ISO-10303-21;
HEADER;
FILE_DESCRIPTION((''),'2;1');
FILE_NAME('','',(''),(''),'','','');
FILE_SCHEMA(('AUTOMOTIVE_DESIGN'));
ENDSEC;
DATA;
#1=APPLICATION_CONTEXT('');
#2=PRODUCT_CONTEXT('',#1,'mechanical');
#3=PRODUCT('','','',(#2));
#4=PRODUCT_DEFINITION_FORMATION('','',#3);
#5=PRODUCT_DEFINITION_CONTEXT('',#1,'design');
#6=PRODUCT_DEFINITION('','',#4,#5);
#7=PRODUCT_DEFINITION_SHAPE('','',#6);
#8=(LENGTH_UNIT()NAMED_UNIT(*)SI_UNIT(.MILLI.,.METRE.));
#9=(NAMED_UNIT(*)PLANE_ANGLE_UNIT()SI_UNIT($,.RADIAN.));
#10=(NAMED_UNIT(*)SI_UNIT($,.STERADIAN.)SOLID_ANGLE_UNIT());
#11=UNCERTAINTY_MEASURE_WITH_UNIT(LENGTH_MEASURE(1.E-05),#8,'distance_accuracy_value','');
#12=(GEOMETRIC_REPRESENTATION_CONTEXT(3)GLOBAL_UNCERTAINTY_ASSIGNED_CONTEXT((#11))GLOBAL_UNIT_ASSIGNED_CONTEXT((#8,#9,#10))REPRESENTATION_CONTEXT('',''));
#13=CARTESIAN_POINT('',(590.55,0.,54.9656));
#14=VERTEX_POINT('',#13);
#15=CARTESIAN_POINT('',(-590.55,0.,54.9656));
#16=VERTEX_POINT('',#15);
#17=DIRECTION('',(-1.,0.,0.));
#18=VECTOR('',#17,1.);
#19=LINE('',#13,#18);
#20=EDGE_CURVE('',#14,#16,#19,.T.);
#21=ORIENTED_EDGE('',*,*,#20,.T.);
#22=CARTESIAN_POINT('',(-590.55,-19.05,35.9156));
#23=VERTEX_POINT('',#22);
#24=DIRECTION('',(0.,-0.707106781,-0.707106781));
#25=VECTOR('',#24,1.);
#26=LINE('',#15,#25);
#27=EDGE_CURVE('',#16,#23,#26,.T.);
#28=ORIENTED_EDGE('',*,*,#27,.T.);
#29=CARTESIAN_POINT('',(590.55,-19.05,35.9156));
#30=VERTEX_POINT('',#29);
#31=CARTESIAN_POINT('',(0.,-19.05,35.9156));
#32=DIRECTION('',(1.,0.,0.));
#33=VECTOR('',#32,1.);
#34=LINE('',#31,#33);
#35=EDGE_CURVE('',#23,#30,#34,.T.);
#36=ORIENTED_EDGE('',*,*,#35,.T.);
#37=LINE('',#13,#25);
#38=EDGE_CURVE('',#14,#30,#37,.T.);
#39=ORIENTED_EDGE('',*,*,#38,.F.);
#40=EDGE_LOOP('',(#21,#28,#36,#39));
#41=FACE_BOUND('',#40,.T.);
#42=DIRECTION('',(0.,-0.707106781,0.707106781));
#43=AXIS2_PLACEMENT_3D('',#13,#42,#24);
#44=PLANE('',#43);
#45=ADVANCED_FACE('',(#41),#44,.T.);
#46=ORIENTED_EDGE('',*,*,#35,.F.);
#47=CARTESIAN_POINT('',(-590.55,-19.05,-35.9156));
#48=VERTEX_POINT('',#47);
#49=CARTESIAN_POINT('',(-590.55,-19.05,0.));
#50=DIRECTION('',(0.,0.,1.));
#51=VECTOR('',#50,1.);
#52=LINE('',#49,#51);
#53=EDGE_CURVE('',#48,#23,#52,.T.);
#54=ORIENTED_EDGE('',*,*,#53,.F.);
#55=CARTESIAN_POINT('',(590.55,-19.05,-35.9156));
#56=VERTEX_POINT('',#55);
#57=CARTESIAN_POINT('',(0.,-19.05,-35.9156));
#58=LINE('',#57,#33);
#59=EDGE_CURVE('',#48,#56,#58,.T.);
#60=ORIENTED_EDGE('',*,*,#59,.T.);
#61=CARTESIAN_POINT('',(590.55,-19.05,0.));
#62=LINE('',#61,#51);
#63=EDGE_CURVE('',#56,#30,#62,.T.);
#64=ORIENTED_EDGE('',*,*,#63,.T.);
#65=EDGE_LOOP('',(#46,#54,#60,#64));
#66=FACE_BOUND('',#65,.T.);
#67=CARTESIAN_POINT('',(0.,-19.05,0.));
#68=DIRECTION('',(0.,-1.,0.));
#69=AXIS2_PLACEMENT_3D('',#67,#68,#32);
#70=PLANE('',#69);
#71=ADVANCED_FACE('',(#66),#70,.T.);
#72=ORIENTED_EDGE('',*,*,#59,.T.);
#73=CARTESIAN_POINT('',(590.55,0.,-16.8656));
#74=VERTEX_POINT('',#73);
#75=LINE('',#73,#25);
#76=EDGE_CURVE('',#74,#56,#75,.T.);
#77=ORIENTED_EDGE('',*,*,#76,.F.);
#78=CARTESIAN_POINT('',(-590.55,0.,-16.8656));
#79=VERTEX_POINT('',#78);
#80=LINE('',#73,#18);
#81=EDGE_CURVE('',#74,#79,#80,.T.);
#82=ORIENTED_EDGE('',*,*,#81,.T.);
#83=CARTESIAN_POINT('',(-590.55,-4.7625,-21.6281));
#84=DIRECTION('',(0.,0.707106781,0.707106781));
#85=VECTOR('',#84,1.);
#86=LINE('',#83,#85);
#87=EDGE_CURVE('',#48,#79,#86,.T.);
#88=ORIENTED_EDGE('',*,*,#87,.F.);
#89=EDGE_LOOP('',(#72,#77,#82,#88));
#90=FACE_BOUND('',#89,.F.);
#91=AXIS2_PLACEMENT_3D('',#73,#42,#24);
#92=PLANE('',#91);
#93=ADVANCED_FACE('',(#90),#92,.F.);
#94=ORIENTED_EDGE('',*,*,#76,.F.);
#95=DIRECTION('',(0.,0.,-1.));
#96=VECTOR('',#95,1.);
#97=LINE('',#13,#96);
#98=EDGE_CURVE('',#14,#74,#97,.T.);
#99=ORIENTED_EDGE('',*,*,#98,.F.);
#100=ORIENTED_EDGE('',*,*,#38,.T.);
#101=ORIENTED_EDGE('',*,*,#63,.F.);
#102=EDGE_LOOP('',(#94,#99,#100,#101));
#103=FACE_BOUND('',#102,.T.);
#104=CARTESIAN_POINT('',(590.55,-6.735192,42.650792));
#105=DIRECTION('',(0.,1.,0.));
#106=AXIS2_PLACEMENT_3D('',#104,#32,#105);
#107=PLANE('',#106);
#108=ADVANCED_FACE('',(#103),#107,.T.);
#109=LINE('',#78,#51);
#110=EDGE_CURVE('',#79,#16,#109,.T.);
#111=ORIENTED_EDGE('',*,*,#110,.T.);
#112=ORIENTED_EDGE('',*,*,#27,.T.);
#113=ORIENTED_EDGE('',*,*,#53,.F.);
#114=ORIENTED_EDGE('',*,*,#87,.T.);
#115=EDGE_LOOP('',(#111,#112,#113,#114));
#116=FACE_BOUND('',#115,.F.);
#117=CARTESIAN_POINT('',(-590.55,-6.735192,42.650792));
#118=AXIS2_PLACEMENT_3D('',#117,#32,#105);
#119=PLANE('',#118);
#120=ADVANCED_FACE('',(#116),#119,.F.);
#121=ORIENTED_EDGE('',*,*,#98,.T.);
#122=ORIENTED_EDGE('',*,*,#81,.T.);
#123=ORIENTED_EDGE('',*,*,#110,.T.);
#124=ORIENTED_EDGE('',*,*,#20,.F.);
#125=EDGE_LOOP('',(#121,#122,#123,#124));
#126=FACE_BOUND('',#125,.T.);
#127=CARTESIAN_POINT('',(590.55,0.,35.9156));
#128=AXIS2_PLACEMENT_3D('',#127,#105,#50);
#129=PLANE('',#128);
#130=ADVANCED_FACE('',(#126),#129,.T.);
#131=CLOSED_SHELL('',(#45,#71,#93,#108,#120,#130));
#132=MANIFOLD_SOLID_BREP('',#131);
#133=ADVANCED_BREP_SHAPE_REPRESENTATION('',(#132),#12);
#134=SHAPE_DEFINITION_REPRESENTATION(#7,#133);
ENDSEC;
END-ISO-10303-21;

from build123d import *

# Parameters (mm, degrees)
F0_W     = 1181.1
F0_H     = 71.8312
F1_DEPTH = 19.05
F3_DEPTH = 1181.101
F5_DEPTH = 1181.1


with BuildPart() as f1:
    # F0 (on Front) → F1 (new body)
    with BuildSketch(Plane.XZ):
        Rectangle(F0_W, F0_H)
    extrude(amount=F1_DEPTH)

    # F2 (on face) → F3 (cut, through all)
    with BuildSketch(Plane.YZ.offset(590.55)):
        Polygon((0, -16.8656), (-19.05, -35.9156), (0, -35.9156), align=None)
    extrude(amount=-F3_DEPTH, mode=Mode.SUBTRACT)

    # F4 (on face) → F5 (join)
    with BuildSketch(Plane.YZ.offset(590.55)):
        Polygon((0, 54.9656), (-19.05, 35.9156), (0, 35.9156), align=None)
    extrude(amount=-F5_DEPTH)


solid = f1.part
